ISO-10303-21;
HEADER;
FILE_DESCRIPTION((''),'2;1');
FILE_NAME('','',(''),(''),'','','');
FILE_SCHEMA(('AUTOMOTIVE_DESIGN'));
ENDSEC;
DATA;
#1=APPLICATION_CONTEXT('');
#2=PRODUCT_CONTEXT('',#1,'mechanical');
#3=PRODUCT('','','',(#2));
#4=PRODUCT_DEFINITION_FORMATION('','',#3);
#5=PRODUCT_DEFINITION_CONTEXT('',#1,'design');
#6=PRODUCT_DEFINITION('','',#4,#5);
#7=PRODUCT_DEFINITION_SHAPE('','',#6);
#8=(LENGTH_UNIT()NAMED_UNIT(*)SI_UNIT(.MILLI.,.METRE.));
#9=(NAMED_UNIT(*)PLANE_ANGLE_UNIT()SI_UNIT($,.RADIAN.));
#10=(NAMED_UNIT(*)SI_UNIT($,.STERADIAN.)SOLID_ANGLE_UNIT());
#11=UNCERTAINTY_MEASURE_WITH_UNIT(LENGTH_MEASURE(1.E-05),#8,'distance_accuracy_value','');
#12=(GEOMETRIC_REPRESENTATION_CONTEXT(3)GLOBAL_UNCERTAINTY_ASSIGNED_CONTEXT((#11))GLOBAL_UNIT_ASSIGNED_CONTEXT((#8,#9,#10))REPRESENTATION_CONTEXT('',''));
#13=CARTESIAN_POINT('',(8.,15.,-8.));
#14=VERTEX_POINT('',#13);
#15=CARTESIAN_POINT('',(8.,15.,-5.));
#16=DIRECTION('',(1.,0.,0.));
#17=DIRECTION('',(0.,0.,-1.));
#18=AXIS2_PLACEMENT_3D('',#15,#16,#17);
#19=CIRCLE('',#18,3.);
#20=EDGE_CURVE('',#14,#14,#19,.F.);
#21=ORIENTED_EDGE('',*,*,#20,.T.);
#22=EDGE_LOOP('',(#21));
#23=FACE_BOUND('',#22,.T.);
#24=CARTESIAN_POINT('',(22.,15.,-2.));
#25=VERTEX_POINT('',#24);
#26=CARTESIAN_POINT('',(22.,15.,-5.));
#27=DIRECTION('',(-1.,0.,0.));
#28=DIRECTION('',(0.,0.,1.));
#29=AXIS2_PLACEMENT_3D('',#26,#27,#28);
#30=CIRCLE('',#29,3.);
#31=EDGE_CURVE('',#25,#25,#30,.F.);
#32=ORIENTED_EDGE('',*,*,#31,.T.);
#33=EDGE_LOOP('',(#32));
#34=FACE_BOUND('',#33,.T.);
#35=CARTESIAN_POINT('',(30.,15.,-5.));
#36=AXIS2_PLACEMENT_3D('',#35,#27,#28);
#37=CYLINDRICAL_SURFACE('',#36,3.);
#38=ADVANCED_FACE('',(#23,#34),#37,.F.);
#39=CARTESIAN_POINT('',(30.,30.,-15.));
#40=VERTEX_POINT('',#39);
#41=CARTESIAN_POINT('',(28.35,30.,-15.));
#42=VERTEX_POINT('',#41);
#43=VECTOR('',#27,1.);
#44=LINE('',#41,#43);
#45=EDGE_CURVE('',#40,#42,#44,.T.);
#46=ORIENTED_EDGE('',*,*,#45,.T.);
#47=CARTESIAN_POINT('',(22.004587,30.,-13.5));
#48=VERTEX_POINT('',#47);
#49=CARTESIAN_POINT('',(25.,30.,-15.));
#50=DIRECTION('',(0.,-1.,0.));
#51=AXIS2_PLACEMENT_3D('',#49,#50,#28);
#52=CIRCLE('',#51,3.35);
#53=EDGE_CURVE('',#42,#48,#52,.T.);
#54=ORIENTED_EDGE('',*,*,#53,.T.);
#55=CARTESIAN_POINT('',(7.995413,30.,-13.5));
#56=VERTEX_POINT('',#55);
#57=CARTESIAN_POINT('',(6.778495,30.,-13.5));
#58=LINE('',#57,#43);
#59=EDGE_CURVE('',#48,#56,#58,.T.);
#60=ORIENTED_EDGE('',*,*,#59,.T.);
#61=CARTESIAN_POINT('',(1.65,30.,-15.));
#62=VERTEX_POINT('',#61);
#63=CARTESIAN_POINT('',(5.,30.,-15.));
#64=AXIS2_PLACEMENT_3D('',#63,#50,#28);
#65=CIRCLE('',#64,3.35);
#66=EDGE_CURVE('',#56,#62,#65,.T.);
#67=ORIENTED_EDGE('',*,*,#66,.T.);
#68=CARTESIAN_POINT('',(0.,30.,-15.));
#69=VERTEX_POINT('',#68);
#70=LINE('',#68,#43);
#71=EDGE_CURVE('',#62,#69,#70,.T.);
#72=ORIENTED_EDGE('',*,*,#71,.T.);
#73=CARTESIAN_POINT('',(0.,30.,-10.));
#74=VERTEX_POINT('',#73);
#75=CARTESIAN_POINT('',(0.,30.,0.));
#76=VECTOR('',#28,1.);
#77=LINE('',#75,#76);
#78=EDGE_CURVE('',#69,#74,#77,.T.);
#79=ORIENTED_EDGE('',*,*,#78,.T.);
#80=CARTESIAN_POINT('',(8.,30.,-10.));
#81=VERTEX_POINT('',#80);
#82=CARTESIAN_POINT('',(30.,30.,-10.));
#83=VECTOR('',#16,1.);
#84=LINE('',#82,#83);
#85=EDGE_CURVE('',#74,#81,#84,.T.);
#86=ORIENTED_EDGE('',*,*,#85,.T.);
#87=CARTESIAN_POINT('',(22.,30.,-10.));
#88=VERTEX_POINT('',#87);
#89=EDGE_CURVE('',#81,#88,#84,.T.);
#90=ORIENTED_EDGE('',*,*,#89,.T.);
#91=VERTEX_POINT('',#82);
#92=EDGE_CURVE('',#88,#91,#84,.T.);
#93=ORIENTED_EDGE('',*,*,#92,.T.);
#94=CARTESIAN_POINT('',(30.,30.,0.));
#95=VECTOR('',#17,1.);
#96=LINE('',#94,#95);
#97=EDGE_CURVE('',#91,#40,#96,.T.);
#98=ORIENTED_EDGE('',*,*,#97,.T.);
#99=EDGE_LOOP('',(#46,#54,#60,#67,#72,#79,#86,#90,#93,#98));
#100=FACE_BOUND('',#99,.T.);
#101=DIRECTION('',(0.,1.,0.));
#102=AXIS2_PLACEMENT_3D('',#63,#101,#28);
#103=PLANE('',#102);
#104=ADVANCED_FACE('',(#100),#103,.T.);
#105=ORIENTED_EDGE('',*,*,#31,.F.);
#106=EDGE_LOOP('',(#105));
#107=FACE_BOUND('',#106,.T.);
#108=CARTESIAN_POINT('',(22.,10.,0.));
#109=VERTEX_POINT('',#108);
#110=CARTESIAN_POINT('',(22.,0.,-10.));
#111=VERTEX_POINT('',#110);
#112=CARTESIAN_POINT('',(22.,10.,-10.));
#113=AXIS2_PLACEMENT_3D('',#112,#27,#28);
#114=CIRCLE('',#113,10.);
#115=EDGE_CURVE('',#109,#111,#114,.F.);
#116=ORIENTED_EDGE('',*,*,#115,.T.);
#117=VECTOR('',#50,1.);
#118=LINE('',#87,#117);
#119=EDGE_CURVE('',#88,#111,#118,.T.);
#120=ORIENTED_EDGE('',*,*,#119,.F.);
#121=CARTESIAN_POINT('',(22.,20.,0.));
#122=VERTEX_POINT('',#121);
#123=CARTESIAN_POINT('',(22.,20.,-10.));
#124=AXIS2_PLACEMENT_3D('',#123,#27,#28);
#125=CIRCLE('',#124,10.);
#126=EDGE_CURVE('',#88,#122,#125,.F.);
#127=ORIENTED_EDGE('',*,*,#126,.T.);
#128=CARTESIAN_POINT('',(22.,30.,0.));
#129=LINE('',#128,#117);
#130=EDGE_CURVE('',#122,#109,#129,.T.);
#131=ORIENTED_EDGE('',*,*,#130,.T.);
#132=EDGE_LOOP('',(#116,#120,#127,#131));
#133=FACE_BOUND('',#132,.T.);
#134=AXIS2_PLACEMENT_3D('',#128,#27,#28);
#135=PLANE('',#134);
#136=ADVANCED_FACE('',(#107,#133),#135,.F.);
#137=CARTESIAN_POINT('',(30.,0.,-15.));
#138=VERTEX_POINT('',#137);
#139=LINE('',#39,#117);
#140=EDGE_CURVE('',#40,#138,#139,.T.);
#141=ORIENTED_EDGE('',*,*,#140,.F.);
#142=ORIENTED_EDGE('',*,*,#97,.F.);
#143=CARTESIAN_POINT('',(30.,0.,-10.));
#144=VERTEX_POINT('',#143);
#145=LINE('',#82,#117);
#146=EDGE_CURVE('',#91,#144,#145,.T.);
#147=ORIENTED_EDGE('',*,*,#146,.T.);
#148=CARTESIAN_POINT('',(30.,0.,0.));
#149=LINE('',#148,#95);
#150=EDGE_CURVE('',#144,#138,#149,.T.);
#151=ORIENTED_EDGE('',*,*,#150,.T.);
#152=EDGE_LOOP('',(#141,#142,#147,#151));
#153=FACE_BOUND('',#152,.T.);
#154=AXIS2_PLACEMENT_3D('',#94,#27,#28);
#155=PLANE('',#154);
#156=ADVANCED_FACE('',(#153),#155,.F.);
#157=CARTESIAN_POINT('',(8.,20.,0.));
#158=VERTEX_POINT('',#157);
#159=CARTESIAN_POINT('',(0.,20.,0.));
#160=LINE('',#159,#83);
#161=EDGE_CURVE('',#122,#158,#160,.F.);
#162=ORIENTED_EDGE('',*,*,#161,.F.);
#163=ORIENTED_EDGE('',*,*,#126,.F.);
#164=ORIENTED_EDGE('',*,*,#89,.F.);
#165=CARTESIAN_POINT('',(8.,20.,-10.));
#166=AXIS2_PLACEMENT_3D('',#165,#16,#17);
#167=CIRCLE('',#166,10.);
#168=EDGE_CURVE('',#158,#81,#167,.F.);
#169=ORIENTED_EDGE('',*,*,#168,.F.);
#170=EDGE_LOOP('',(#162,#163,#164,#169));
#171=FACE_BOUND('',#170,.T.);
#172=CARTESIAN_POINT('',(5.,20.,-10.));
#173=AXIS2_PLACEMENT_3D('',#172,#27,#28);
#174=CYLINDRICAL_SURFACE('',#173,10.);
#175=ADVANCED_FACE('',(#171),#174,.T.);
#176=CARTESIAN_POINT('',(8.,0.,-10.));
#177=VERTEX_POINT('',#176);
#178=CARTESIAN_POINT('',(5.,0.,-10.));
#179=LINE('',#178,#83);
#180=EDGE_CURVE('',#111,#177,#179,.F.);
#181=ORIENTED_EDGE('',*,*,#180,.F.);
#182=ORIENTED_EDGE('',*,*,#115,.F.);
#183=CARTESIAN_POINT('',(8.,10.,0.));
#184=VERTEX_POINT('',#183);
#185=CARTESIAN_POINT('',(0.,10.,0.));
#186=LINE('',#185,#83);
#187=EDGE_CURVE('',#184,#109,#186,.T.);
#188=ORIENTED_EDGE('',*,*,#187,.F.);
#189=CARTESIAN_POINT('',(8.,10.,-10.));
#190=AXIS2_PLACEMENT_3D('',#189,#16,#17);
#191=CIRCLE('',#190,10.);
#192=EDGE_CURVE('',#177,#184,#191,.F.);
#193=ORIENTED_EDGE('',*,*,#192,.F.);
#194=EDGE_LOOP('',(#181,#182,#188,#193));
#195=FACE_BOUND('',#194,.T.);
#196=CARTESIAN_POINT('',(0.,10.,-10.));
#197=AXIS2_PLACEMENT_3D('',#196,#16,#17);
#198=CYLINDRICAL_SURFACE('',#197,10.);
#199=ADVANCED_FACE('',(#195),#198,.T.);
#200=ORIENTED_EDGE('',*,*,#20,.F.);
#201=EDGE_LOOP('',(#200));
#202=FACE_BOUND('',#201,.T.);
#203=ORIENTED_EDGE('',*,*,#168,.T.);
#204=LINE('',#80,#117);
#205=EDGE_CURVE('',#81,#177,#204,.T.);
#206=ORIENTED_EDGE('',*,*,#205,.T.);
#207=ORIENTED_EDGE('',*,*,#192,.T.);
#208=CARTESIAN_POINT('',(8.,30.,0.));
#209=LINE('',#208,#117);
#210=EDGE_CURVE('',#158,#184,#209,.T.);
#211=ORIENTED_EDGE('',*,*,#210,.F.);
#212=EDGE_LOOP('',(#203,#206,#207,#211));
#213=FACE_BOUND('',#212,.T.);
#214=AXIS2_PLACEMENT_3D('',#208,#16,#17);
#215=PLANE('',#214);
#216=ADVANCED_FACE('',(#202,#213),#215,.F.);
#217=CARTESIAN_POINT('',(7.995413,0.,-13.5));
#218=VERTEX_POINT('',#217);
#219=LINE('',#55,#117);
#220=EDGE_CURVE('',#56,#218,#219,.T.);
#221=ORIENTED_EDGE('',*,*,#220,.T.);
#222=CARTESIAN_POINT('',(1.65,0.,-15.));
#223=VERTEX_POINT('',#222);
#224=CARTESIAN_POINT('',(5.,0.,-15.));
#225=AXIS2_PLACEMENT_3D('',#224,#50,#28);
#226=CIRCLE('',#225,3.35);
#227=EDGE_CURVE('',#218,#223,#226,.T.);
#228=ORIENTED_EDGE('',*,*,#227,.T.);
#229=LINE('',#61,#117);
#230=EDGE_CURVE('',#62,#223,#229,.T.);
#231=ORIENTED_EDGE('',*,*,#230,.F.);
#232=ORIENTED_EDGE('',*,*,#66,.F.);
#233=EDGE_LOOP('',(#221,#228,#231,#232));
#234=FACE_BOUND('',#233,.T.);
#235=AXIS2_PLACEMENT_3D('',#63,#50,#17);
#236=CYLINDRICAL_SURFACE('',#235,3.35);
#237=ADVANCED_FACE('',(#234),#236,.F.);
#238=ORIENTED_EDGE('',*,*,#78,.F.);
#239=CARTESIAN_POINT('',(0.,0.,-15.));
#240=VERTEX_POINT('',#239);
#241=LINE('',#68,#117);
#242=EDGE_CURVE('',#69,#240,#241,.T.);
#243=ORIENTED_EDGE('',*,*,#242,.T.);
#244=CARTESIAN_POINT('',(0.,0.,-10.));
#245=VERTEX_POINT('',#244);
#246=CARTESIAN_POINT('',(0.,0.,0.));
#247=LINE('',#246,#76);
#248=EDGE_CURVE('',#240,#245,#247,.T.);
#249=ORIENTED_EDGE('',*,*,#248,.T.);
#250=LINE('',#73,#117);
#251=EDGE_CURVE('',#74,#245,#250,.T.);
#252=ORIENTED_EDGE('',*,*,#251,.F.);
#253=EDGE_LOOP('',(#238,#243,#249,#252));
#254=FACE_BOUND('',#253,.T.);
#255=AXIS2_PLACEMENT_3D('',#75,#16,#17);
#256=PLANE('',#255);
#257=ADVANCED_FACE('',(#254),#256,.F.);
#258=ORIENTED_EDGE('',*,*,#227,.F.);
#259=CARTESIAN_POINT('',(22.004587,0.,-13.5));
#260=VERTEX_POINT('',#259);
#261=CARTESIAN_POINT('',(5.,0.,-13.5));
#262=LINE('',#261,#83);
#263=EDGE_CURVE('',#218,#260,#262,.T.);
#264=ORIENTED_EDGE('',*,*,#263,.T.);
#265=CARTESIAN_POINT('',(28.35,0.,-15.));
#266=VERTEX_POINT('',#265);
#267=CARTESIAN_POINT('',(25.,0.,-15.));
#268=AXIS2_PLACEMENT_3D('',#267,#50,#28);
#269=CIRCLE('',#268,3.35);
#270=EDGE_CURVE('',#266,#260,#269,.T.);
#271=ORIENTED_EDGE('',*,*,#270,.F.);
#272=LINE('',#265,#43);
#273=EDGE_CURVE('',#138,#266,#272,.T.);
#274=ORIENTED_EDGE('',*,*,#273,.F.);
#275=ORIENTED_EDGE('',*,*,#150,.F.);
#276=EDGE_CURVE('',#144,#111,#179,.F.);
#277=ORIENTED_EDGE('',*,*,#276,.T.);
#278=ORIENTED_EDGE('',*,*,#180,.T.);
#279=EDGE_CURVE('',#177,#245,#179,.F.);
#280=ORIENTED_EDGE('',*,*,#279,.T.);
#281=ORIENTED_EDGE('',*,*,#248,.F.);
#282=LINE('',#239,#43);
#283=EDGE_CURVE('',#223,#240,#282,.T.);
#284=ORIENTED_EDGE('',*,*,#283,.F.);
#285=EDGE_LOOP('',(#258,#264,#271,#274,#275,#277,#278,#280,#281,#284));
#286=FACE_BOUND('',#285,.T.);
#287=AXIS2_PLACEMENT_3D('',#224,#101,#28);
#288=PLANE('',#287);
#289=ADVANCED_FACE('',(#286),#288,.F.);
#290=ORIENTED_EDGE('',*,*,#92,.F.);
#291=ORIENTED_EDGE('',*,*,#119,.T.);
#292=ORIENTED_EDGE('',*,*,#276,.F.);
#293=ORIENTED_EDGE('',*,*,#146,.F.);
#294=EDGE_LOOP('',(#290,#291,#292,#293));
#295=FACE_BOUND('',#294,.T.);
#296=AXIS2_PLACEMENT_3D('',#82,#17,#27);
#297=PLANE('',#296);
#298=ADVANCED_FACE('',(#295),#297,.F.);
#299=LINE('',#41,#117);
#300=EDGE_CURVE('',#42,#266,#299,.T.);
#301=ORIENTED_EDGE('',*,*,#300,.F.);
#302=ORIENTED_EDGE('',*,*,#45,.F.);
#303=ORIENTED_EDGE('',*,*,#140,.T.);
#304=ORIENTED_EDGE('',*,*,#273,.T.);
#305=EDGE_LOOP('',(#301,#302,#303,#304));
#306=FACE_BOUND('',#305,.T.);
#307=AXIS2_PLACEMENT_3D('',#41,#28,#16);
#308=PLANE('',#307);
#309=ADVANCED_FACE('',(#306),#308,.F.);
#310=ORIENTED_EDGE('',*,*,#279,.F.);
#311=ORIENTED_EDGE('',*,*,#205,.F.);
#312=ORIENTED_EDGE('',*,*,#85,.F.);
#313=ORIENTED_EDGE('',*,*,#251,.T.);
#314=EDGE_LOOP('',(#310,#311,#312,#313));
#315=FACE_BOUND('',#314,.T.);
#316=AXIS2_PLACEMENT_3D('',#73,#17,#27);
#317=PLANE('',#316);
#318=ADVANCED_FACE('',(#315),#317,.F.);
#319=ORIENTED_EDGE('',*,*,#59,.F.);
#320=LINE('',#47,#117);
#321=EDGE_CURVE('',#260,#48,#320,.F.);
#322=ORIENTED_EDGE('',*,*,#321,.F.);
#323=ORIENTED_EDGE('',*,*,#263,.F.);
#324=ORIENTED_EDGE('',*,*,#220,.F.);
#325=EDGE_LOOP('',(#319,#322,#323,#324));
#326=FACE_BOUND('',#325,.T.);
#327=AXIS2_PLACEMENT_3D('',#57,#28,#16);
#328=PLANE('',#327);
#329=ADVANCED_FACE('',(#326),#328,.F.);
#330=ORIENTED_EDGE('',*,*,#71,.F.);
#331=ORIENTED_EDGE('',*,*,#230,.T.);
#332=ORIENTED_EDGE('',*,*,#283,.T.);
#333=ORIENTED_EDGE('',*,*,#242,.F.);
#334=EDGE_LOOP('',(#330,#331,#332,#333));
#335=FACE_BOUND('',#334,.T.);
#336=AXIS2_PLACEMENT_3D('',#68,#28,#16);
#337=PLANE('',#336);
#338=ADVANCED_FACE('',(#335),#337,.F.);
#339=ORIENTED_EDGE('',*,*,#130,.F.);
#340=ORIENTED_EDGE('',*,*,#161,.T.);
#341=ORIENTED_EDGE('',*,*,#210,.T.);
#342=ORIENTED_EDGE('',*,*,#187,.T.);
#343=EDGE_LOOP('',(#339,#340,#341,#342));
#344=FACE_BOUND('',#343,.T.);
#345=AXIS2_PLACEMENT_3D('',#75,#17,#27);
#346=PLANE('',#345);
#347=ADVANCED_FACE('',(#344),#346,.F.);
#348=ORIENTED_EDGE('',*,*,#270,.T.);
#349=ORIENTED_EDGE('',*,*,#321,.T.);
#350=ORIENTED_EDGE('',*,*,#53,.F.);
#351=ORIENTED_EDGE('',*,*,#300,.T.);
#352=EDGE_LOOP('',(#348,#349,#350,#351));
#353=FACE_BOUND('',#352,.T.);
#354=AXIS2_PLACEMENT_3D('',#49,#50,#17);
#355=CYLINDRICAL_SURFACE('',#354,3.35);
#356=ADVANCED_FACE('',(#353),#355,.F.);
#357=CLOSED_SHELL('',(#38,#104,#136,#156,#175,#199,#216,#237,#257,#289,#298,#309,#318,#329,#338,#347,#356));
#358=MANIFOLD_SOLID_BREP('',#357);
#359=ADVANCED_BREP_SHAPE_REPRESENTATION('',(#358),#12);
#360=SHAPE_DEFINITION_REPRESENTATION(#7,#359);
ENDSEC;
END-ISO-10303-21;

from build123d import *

# Parameters (mm, degrees)
BOSS_EXTRUDE1_DEPTH     = 30
CUT_EXTRUDE2_DEPTH      = 46
CUT_EXTRUDE2_DEPTH_BACK = 46
SKETCH3_R               = 3
CUT_EXTRUDE3_DEPTH      = 46
CUT_EXTRUDE3_DEPTH_BACK = 46
SKETCH4_W               = 15.866839518
SKETCH4_H               = 1.721603904
FILLET1_R               = 10
CUT_EXTRUDE4_DEPTH      = 46
CUT_EXTRUDE4_DEPTH_BACK = 46
SKETCH5_W               = 8
SKETCH5_H               = 10


with BuildPart() as part:
    # Sketch1 → Boss-Extrude1 (new body)
    with BuildSketch(Plane(origin=(0, 0, 0), x_dir=(1, 0, 0), z_dir=(0, 1, 0))):
        with BuildLine():
            Line((8.35, 15), (21.65, 15))
            ThreePointArc((21.65, 15), (25, 11.65), (28.35, 15))
            Line((28.35, 15), (30, 15))
            Line((30, 15), (30, 0))
            Line((30, 0), (0, 0))
            Line((0, 0), (0, 15))
            Line((0, 15), (1.65, 15))
            ThreePointArc((1.65, 15), (5, 11.65), (8.35, 15))
        make_face()
    extrude(amount=BOSS_EXTRUDE1_DEPTH)

    # Sketch3 → Cut-Extrude2 (cut, two sides: drawn at the far end of the back side and taken through both)
    with BuildSketch(Plane.ZY.offset(-CUT_EXTRUDE2_DEPTH_BACK)):
        with Locations((-5, 15)):
            Circle(SKETCH3_R)
    extrude(amount=CUT_EXTRUDE2_DEPTH + CUT_EXTRUDE2_DEPTH_BACK, mode=Mode.SUBTRACT)

    # Sketch4 → Cut-Extrude3 (cut, two sides: drawn at the far end of the back side and taken through both)
    with BuildSketch(Plane.XZ.offset(-CUT_EXTRUDE3_DEPTH_BACK)):
        with Locations((14.711914925, -14.360801952)):
            Rectangle(SKETCH4_W, SKETCH4_H)
    extrude(amount=CUT_EXTRUDE3_DEPTH + CUT_EXTRUDE3_DEPTH_BACK, mode=Mode.SUBTRACT)

    # Fillet1
    fillet1_edges = [part.edges().sort_by_distance(p)[0] for p in [
        (15, 0, 0),
        (15, 30, 0),
    ]]
    fillet(fillet1_edges, radius=FILLET1_R)

    # Sketch5 → Cut-Extrude4 (cut, two sides: drawn at the far end of the back side and taken through both)
    with BuildSketch(Plane.XZ.offset(-CUT_EXTRUDE4_DEPTH_BACK)):
        with Locations((4, -5)):
            Rectangle(SKETCH5_W, SKETCH5_H)
        with Locations((26, -5)):
            Rectangle(SKETCH5_W, SKETCH5_H)
    extrude(amount=CUT_EXTRUDE4_DEPTH + CUT_EXTRUDE4_DEPTH_BACK, mode=Mode.SUBTRACT)


solid = part.part
